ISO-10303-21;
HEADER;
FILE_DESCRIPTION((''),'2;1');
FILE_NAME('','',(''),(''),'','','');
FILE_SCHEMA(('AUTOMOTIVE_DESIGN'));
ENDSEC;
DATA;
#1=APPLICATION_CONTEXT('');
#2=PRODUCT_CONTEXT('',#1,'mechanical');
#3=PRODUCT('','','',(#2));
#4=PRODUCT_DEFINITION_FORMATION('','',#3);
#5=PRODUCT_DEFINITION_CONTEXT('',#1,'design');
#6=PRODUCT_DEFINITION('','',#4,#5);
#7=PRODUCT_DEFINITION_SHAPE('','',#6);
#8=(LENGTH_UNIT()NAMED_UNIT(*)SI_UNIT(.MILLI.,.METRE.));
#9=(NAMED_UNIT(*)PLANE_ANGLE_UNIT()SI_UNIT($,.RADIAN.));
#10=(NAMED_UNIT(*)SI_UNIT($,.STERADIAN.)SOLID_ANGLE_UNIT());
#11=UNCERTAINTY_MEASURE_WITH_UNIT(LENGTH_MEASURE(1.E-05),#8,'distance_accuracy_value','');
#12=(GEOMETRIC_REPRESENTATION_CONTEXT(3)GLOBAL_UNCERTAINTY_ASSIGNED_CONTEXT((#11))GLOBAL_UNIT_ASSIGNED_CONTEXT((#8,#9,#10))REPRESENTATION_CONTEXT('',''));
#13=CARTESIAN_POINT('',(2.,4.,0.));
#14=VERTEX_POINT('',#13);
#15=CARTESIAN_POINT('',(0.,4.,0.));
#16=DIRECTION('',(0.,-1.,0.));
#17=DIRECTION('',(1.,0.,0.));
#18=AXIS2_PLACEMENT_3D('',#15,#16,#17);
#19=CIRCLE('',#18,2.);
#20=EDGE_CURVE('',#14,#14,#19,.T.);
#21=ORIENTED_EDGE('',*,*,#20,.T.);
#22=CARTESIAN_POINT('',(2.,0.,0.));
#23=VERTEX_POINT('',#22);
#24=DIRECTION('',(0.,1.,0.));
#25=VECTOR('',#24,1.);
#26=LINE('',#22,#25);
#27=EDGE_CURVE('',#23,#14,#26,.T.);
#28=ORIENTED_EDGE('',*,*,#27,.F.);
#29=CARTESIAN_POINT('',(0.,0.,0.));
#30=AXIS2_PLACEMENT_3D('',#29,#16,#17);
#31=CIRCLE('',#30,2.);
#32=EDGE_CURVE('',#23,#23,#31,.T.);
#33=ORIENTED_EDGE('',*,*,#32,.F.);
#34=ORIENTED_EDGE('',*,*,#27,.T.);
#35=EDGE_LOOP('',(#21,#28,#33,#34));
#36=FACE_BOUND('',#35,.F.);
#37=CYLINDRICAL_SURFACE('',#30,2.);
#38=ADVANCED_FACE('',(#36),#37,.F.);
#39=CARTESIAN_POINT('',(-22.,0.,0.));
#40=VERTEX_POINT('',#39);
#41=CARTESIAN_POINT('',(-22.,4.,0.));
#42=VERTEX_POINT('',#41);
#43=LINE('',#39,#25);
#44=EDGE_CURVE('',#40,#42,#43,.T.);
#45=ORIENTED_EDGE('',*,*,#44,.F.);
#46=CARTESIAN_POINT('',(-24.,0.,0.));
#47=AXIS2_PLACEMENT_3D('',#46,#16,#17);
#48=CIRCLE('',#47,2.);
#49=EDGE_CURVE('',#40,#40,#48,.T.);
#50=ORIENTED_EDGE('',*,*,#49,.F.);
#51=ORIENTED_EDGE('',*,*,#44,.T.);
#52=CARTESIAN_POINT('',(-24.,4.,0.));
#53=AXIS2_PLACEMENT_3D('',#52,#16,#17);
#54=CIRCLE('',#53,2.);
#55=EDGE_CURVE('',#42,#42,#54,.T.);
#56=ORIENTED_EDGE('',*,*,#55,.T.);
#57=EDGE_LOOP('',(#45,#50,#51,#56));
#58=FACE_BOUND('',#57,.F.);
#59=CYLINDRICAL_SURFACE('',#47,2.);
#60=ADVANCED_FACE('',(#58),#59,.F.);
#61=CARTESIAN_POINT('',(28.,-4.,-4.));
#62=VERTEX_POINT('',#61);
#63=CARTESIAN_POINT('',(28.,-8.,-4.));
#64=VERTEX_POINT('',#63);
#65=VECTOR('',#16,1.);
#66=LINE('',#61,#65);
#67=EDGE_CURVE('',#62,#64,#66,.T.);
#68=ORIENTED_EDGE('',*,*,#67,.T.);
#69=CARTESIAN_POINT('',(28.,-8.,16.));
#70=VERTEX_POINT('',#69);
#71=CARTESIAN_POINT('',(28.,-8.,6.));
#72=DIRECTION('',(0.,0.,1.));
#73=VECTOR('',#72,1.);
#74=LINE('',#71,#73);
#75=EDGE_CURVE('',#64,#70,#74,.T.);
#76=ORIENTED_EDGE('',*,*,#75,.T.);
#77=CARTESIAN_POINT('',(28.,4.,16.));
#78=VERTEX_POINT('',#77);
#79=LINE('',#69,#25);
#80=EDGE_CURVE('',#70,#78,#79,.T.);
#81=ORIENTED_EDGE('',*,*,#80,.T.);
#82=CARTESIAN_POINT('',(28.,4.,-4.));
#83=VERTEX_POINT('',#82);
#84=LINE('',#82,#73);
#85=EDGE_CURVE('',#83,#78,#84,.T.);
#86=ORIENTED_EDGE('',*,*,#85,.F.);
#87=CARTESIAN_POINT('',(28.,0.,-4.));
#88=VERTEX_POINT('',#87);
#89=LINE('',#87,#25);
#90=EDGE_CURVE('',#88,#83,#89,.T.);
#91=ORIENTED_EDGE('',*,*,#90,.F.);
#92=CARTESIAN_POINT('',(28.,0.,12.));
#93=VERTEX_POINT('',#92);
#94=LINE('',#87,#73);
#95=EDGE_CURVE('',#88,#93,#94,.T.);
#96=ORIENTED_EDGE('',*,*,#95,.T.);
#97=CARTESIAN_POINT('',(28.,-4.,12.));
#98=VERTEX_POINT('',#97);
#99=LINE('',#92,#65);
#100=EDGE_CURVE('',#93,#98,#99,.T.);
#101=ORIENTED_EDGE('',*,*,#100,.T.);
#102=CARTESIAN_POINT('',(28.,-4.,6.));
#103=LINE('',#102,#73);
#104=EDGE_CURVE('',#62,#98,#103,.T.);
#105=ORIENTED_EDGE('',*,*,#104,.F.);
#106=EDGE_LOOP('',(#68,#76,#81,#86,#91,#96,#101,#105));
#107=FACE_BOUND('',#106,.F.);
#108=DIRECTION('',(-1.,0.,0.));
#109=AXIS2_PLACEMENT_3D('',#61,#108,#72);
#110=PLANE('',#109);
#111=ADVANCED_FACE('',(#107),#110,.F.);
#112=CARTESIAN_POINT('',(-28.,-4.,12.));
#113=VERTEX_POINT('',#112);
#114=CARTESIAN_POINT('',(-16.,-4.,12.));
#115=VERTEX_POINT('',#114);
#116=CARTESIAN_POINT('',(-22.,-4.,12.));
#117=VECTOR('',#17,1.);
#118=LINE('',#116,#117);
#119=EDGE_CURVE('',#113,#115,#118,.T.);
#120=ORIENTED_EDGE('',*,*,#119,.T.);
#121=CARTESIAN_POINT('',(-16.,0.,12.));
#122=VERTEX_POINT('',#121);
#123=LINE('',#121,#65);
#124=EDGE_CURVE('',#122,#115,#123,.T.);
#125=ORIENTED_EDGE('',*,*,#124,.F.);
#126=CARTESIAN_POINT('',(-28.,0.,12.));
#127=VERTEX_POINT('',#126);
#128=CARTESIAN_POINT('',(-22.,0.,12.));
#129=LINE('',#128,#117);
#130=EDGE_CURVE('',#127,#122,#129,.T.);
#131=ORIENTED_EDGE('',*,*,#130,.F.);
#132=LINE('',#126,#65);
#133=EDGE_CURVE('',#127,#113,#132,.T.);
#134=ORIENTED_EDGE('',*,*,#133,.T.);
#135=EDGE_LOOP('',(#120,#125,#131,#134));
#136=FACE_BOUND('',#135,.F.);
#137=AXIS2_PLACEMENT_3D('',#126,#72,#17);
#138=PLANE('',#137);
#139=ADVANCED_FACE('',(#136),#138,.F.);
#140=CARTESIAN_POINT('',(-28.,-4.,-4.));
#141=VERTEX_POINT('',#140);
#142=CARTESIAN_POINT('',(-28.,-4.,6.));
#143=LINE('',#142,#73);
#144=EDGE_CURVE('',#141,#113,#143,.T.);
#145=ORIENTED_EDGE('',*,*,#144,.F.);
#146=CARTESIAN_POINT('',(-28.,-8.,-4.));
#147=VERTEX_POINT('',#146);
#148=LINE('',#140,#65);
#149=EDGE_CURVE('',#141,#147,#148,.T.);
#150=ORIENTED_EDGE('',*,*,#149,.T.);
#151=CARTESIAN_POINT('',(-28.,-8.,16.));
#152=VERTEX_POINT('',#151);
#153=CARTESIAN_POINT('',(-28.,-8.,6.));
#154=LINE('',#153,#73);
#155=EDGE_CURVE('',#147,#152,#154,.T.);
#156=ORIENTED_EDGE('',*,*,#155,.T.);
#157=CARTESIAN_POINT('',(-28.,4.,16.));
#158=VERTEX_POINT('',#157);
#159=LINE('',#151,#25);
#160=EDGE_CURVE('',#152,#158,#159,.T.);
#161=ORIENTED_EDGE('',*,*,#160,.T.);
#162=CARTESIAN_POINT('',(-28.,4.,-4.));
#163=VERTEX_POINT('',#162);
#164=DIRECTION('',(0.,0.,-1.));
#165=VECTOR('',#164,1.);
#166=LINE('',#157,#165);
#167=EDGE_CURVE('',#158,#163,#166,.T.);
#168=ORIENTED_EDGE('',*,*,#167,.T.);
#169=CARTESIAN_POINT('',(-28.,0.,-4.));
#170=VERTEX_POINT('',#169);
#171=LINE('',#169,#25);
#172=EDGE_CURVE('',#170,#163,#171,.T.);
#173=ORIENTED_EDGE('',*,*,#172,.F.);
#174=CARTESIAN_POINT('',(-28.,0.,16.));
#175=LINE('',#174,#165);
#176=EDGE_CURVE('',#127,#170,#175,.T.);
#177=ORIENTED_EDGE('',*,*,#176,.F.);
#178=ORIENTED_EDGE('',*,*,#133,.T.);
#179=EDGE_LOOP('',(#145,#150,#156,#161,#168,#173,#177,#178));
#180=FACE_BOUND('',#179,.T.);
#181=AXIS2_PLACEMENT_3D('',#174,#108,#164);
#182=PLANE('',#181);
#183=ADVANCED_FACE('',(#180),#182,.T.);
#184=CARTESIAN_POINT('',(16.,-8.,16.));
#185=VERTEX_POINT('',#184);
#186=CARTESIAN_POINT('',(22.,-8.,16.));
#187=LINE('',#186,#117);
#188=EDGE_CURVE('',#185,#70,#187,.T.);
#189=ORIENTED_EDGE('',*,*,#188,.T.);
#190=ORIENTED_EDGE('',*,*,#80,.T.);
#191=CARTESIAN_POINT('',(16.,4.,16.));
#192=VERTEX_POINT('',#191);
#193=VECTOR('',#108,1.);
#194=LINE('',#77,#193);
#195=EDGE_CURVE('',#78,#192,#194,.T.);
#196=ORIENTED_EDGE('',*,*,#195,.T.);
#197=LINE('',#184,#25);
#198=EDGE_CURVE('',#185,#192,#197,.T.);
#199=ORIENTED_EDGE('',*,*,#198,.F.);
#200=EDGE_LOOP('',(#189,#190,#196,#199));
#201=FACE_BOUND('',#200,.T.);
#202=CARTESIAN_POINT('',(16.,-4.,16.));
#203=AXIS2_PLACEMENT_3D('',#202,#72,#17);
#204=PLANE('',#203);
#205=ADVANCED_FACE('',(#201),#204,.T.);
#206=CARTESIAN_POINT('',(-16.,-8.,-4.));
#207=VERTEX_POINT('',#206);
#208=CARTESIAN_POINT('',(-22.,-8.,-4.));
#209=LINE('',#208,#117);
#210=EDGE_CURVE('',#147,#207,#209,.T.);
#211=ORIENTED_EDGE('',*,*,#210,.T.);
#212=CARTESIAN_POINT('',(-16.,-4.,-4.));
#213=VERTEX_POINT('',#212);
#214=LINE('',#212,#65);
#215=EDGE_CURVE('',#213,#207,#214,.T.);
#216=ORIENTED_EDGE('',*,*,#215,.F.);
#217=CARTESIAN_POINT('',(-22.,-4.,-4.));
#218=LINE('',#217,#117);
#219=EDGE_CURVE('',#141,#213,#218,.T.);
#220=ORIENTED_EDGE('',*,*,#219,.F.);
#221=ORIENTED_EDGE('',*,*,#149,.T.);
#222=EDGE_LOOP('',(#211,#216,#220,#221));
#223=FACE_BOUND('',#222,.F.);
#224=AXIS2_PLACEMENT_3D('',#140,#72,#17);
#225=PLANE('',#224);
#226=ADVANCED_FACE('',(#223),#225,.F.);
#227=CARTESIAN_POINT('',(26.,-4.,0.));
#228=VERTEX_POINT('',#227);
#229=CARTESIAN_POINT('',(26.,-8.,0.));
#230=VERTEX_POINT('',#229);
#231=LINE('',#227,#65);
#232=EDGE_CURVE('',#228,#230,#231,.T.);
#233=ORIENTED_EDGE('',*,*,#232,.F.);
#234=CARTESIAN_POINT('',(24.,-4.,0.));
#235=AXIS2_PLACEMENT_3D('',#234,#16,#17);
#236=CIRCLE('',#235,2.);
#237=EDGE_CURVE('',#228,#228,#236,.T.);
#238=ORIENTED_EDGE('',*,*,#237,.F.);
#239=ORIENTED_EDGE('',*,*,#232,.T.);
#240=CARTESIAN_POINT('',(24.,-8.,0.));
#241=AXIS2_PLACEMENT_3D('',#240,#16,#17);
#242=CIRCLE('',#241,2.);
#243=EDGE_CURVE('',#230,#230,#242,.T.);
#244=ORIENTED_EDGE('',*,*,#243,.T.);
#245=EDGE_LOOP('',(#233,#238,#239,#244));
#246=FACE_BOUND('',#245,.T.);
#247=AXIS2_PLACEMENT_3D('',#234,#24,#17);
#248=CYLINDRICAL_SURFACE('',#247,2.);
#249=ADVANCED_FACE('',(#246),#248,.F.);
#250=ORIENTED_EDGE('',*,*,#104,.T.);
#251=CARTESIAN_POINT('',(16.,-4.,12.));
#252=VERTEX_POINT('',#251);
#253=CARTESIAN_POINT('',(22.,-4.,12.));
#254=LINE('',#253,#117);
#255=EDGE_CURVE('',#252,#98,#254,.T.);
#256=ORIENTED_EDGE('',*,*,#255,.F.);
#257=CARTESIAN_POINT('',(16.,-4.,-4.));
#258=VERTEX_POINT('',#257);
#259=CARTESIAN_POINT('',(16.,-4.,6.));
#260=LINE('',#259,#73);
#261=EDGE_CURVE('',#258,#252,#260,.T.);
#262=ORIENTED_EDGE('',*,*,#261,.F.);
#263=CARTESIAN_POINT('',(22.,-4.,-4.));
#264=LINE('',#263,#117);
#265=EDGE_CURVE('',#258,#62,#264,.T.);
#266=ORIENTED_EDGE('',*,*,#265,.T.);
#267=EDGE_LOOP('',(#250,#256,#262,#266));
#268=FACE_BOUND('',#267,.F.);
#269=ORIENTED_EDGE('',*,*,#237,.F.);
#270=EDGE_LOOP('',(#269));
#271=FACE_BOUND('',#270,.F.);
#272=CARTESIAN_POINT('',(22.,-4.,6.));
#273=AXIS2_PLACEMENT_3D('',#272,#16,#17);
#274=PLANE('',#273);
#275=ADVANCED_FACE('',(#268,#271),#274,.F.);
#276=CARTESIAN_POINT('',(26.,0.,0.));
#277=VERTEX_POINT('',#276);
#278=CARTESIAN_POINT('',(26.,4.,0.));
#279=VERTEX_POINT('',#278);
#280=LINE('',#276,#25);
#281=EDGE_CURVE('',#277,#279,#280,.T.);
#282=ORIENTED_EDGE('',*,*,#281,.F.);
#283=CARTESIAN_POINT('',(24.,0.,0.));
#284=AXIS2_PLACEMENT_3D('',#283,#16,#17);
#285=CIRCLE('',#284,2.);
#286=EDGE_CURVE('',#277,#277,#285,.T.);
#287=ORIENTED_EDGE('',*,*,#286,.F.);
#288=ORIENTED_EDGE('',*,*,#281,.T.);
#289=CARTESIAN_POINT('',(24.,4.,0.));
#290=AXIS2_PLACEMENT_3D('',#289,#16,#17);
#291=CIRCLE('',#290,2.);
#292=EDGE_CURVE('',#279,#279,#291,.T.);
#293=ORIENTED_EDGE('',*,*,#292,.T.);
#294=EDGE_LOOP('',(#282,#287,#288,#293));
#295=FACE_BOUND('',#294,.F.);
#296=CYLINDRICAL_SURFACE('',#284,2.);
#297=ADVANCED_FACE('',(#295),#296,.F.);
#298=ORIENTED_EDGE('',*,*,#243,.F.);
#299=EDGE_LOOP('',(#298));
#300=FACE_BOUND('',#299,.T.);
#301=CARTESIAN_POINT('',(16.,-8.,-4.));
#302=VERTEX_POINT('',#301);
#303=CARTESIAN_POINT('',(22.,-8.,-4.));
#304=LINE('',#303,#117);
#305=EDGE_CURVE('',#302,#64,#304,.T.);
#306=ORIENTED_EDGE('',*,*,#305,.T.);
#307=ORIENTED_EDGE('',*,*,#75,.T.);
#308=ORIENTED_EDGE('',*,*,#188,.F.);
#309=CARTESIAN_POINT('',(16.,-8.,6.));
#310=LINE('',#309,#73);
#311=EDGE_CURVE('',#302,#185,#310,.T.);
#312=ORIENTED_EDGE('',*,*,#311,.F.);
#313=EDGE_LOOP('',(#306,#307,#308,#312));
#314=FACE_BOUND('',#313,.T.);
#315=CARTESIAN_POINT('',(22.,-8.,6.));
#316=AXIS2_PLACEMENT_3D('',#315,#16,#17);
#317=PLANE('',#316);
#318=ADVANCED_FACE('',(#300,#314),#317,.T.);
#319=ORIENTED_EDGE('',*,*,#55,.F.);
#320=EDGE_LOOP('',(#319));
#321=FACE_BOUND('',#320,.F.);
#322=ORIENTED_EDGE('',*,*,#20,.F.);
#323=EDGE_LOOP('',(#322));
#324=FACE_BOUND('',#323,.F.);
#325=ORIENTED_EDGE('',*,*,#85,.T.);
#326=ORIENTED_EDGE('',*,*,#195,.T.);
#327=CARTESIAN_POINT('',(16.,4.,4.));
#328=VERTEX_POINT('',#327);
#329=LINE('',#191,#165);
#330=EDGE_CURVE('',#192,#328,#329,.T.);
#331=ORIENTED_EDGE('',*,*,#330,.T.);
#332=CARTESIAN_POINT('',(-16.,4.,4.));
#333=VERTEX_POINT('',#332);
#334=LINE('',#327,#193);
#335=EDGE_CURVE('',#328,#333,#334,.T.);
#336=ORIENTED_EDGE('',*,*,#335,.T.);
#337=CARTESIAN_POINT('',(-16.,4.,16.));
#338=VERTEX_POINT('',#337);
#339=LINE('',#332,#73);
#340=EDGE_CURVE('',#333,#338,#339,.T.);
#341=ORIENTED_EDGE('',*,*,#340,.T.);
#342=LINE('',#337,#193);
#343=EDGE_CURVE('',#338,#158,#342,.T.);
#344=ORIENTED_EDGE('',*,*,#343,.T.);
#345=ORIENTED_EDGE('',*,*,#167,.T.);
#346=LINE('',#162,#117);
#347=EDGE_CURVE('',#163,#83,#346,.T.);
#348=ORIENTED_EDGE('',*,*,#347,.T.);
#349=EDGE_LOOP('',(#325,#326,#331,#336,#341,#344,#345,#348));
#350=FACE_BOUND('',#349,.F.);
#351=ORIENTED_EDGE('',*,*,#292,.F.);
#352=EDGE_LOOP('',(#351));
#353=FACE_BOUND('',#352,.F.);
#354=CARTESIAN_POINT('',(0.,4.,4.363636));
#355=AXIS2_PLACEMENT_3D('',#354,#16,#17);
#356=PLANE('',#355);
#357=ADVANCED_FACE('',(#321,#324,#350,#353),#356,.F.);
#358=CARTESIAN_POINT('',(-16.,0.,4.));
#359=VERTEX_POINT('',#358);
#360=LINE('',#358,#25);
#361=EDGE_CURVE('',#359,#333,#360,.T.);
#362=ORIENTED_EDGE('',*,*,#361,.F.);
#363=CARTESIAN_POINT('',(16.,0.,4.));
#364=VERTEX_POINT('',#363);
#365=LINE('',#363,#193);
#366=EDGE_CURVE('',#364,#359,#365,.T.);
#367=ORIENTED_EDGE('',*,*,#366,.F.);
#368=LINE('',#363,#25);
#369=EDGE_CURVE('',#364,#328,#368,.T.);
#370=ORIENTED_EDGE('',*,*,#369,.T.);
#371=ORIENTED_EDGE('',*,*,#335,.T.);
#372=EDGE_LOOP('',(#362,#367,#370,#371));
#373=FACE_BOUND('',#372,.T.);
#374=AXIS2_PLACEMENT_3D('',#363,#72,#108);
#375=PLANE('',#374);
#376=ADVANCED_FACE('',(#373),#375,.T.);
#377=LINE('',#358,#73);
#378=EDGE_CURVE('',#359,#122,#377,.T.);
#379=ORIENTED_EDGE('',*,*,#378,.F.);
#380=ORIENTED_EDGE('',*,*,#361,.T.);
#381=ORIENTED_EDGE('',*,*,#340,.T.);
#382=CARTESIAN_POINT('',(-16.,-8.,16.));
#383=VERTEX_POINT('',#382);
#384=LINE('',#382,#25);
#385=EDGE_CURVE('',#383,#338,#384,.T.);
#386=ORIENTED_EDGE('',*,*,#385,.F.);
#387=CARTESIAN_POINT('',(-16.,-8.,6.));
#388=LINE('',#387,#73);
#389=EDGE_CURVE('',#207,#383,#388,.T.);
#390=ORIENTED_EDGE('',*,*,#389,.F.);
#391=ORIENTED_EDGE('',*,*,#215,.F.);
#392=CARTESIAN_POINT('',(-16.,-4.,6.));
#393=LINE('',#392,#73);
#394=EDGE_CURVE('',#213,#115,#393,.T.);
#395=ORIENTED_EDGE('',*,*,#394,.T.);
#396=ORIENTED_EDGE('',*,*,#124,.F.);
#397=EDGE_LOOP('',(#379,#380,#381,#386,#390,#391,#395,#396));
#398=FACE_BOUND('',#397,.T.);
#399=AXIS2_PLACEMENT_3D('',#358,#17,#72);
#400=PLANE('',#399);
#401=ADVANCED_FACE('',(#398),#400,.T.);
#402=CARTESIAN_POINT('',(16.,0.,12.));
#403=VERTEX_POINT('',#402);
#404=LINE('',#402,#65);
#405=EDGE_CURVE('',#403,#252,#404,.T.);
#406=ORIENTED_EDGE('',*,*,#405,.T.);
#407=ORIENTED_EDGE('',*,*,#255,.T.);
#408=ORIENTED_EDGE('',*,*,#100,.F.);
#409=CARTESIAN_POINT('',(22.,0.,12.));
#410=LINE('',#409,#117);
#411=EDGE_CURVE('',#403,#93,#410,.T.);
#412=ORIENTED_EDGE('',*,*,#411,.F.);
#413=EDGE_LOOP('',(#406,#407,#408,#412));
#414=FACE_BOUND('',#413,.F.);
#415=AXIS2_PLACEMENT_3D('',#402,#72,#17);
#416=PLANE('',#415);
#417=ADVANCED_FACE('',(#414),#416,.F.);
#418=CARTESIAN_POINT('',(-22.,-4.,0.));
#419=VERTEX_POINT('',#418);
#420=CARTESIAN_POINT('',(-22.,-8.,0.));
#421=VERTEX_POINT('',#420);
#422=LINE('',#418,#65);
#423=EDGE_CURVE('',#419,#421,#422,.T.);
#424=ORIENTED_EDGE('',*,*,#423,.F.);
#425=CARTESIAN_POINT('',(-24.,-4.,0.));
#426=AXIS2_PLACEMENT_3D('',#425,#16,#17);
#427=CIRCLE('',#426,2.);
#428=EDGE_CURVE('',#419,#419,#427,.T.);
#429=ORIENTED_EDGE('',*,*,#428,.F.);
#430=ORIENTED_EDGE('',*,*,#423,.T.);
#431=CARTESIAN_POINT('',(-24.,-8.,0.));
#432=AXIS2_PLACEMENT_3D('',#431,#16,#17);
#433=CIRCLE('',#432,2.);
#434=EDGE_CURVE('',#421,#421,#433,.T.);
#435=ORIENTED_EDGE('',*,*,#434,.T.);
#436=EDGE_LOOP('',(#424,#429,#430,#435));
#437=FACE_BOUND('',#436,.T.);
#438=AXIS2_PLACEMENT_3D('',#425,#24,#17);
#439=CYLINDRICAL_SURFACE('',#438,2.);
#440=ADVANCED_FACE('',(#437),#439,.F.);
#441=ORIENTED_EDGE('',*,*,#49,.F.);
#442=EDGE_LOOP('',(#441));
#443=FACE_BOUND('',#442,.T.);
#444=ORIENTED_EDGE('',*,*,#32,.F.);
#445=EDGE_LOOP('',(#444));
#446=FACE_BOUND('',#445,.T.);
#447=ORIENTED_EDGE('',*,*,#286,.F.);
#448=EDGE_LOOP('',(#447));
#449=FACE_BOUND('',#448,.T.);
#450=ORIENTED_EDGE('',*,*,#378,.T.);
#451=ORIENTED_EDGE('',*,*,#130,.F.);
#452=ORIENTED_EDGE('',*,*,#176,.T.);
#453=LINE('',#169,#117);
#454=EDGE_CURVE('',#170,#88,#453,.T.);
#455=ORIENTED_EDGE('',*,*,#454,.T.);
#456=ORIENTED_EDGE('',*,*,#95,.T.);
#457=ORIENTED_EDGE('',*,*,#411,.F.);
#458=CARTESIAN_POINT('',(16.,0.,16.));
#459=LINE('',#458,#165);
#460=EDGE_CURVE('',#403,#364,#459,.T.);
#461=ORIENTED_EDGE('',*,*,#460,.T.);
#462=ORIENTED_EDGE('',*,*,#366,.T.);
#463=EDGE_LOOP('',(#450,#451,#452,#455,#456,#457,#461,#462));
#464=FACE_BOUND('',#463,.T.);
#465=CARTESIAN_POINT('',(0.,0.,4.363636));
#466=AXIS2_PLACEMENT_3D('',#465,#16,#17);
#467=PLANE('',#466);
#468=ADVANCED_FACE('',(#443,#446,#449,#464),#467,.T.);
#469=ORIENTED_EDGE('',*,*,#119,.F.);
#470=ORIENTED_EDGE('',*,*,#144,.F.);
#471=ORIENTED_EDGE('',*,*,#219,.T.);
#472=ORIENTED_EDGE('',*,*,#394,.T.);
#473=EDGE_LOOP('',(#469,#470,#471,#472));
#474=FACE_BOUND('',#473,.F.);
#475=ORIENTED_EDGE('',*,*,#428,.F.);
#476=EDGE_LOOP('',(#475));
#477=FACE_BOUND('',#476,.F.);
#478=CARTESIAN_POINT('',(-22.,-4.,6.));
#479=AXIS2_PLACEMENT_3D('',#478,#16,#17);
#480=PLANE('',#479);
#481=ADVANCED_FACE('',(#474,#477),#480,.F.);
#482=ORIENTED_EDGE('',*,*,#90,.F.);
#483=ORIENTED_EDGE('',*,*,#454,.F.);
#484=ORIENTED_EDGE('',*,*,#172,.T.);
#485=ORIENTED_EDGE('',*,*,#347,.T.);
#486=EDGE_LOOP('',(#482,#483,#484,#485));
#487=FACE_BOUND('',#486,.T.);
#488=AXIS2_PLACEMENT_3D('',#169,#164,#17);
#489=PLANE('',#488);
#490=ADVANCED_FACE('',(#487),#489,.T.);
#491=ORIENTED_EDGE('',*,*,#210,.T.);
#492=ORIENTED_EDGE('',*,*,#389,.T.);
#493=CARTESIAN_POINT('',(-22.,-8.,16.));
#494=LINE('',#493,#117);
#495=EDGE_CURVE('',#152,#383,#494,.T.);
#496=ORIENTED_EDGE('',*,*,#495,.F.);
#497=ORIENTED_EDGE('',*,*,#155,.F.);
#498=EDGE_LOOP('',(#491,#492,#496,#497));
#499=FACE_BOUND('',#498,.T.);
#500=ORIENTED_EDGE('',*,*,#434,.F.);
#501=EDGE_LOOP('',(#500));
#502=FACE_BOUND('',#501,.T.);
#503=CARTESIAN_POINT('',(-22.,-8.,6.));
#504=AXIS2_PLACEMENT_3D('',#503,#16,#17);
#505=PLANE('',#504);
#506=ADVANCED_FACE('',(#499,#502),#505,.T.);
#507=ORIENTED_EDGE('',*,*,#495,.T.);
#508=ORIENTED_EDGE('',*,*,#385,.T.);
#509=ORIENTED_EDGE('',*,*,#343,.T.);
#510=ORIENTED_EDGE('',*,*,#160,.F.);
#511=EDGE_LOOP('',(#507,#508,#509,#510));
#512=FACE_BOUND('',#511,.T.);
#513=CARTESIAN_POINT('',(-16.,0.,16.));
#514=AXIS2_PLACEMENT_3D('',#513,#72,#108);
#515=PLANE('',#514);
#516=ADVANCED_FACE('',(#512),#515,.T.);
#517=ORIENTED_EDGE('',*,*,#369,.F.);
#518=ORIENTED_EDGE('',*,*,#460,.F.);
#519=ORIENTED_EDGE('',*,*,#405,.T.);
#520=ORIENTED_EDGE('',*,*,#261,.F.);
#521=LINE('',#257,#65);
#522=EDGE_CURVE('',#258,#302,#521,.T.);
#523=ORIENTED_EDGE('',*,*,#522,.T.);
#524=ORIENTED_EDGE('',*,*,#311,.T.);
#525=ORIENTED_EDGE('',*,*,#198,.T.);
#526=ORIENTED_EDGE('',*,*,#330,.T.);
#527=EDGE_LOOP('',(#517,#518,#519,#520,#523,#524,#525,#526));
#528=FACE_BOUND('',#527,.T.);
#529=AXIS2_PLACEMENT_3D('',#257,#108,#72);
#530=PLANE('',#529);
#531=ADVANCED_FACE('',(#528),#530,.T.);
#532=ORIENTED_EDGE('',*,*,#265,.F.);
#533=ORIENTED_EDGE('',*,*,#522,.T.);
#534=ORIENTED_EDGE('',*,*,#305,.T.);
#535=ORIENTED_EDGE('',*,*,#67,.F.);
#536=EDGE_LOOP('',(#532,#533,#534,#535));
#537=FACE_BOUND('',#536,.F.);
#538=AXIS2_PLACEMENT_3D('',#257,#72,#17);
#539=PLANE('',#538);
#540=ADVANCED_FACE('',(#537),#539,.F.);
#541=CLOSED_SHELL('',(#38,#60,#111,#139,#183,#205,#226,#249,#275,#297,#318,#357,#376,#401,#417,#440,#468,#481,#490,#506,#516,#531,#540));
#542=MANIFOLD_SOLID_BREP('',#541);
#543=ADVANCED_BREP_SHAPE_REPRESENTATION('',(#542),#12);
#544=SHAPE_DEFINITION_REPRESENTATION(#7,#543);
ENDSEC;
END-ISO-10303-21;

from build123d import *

# Parameters (mm, degrees)
F0_R     = 2
F1_DEPTH = 4
F2_W     = 12
F2_H     = 4
F3_DEPTH = 4
F4_W     = 12
F4_H     = 20
F4_R     = 2
F5_DEPTH = 4


with BuildPart() as f1:
    # F0 (on Front) → F1 (new body)
    with BuildSketch(Plane.XZ):
        Polygon((-28, -4), (28, -4), (28, 4), (28, 16), (16, 16), (16, 4), (-16, 4), (-16, 16), (-28, 16), (-28, 4), align=None)
        with Locations((-24, 0)):
            Circle(F0_R, mode=Mode.SUBTRACT)
        Circle(F0_R, mode=Mode.SUBTRACT)
        with Locations((24, 0)):
            Circle(F0_R, mode=Mode.SUBTRACT)
    extrude(amount=-F1_DEPTH)

    # F2 (on face) → F3 (join)
    with BuildSketch(Plane.XZ):
        with Locations((22, 14)):
            Rectangle(F2_W, F2_H)
        with Locations((-22, 14)):
            Rectangle(F2_W, F2_H)
    extrude(amount=F3_DEPTH)

    # F4 (on face) → F5 (join)
    with BuildSketch(Plane.XZ.offset(4)):
        with Locations((22, 6)):
            Rectangle(F4_W, F4_H)
        with Locations((24, 0)):
            Circle(F4_R, mode=Mode.SUBTRACT)
        with Locations((-22, 6)):
            Rectangle(F4_W, F4_H)
        with Locations((-24, 0)):
            Circle(F4_R, mode=Mode.SUBTRACT)
    extrude(amount=F5_DEPTH)


solid = f1.part
